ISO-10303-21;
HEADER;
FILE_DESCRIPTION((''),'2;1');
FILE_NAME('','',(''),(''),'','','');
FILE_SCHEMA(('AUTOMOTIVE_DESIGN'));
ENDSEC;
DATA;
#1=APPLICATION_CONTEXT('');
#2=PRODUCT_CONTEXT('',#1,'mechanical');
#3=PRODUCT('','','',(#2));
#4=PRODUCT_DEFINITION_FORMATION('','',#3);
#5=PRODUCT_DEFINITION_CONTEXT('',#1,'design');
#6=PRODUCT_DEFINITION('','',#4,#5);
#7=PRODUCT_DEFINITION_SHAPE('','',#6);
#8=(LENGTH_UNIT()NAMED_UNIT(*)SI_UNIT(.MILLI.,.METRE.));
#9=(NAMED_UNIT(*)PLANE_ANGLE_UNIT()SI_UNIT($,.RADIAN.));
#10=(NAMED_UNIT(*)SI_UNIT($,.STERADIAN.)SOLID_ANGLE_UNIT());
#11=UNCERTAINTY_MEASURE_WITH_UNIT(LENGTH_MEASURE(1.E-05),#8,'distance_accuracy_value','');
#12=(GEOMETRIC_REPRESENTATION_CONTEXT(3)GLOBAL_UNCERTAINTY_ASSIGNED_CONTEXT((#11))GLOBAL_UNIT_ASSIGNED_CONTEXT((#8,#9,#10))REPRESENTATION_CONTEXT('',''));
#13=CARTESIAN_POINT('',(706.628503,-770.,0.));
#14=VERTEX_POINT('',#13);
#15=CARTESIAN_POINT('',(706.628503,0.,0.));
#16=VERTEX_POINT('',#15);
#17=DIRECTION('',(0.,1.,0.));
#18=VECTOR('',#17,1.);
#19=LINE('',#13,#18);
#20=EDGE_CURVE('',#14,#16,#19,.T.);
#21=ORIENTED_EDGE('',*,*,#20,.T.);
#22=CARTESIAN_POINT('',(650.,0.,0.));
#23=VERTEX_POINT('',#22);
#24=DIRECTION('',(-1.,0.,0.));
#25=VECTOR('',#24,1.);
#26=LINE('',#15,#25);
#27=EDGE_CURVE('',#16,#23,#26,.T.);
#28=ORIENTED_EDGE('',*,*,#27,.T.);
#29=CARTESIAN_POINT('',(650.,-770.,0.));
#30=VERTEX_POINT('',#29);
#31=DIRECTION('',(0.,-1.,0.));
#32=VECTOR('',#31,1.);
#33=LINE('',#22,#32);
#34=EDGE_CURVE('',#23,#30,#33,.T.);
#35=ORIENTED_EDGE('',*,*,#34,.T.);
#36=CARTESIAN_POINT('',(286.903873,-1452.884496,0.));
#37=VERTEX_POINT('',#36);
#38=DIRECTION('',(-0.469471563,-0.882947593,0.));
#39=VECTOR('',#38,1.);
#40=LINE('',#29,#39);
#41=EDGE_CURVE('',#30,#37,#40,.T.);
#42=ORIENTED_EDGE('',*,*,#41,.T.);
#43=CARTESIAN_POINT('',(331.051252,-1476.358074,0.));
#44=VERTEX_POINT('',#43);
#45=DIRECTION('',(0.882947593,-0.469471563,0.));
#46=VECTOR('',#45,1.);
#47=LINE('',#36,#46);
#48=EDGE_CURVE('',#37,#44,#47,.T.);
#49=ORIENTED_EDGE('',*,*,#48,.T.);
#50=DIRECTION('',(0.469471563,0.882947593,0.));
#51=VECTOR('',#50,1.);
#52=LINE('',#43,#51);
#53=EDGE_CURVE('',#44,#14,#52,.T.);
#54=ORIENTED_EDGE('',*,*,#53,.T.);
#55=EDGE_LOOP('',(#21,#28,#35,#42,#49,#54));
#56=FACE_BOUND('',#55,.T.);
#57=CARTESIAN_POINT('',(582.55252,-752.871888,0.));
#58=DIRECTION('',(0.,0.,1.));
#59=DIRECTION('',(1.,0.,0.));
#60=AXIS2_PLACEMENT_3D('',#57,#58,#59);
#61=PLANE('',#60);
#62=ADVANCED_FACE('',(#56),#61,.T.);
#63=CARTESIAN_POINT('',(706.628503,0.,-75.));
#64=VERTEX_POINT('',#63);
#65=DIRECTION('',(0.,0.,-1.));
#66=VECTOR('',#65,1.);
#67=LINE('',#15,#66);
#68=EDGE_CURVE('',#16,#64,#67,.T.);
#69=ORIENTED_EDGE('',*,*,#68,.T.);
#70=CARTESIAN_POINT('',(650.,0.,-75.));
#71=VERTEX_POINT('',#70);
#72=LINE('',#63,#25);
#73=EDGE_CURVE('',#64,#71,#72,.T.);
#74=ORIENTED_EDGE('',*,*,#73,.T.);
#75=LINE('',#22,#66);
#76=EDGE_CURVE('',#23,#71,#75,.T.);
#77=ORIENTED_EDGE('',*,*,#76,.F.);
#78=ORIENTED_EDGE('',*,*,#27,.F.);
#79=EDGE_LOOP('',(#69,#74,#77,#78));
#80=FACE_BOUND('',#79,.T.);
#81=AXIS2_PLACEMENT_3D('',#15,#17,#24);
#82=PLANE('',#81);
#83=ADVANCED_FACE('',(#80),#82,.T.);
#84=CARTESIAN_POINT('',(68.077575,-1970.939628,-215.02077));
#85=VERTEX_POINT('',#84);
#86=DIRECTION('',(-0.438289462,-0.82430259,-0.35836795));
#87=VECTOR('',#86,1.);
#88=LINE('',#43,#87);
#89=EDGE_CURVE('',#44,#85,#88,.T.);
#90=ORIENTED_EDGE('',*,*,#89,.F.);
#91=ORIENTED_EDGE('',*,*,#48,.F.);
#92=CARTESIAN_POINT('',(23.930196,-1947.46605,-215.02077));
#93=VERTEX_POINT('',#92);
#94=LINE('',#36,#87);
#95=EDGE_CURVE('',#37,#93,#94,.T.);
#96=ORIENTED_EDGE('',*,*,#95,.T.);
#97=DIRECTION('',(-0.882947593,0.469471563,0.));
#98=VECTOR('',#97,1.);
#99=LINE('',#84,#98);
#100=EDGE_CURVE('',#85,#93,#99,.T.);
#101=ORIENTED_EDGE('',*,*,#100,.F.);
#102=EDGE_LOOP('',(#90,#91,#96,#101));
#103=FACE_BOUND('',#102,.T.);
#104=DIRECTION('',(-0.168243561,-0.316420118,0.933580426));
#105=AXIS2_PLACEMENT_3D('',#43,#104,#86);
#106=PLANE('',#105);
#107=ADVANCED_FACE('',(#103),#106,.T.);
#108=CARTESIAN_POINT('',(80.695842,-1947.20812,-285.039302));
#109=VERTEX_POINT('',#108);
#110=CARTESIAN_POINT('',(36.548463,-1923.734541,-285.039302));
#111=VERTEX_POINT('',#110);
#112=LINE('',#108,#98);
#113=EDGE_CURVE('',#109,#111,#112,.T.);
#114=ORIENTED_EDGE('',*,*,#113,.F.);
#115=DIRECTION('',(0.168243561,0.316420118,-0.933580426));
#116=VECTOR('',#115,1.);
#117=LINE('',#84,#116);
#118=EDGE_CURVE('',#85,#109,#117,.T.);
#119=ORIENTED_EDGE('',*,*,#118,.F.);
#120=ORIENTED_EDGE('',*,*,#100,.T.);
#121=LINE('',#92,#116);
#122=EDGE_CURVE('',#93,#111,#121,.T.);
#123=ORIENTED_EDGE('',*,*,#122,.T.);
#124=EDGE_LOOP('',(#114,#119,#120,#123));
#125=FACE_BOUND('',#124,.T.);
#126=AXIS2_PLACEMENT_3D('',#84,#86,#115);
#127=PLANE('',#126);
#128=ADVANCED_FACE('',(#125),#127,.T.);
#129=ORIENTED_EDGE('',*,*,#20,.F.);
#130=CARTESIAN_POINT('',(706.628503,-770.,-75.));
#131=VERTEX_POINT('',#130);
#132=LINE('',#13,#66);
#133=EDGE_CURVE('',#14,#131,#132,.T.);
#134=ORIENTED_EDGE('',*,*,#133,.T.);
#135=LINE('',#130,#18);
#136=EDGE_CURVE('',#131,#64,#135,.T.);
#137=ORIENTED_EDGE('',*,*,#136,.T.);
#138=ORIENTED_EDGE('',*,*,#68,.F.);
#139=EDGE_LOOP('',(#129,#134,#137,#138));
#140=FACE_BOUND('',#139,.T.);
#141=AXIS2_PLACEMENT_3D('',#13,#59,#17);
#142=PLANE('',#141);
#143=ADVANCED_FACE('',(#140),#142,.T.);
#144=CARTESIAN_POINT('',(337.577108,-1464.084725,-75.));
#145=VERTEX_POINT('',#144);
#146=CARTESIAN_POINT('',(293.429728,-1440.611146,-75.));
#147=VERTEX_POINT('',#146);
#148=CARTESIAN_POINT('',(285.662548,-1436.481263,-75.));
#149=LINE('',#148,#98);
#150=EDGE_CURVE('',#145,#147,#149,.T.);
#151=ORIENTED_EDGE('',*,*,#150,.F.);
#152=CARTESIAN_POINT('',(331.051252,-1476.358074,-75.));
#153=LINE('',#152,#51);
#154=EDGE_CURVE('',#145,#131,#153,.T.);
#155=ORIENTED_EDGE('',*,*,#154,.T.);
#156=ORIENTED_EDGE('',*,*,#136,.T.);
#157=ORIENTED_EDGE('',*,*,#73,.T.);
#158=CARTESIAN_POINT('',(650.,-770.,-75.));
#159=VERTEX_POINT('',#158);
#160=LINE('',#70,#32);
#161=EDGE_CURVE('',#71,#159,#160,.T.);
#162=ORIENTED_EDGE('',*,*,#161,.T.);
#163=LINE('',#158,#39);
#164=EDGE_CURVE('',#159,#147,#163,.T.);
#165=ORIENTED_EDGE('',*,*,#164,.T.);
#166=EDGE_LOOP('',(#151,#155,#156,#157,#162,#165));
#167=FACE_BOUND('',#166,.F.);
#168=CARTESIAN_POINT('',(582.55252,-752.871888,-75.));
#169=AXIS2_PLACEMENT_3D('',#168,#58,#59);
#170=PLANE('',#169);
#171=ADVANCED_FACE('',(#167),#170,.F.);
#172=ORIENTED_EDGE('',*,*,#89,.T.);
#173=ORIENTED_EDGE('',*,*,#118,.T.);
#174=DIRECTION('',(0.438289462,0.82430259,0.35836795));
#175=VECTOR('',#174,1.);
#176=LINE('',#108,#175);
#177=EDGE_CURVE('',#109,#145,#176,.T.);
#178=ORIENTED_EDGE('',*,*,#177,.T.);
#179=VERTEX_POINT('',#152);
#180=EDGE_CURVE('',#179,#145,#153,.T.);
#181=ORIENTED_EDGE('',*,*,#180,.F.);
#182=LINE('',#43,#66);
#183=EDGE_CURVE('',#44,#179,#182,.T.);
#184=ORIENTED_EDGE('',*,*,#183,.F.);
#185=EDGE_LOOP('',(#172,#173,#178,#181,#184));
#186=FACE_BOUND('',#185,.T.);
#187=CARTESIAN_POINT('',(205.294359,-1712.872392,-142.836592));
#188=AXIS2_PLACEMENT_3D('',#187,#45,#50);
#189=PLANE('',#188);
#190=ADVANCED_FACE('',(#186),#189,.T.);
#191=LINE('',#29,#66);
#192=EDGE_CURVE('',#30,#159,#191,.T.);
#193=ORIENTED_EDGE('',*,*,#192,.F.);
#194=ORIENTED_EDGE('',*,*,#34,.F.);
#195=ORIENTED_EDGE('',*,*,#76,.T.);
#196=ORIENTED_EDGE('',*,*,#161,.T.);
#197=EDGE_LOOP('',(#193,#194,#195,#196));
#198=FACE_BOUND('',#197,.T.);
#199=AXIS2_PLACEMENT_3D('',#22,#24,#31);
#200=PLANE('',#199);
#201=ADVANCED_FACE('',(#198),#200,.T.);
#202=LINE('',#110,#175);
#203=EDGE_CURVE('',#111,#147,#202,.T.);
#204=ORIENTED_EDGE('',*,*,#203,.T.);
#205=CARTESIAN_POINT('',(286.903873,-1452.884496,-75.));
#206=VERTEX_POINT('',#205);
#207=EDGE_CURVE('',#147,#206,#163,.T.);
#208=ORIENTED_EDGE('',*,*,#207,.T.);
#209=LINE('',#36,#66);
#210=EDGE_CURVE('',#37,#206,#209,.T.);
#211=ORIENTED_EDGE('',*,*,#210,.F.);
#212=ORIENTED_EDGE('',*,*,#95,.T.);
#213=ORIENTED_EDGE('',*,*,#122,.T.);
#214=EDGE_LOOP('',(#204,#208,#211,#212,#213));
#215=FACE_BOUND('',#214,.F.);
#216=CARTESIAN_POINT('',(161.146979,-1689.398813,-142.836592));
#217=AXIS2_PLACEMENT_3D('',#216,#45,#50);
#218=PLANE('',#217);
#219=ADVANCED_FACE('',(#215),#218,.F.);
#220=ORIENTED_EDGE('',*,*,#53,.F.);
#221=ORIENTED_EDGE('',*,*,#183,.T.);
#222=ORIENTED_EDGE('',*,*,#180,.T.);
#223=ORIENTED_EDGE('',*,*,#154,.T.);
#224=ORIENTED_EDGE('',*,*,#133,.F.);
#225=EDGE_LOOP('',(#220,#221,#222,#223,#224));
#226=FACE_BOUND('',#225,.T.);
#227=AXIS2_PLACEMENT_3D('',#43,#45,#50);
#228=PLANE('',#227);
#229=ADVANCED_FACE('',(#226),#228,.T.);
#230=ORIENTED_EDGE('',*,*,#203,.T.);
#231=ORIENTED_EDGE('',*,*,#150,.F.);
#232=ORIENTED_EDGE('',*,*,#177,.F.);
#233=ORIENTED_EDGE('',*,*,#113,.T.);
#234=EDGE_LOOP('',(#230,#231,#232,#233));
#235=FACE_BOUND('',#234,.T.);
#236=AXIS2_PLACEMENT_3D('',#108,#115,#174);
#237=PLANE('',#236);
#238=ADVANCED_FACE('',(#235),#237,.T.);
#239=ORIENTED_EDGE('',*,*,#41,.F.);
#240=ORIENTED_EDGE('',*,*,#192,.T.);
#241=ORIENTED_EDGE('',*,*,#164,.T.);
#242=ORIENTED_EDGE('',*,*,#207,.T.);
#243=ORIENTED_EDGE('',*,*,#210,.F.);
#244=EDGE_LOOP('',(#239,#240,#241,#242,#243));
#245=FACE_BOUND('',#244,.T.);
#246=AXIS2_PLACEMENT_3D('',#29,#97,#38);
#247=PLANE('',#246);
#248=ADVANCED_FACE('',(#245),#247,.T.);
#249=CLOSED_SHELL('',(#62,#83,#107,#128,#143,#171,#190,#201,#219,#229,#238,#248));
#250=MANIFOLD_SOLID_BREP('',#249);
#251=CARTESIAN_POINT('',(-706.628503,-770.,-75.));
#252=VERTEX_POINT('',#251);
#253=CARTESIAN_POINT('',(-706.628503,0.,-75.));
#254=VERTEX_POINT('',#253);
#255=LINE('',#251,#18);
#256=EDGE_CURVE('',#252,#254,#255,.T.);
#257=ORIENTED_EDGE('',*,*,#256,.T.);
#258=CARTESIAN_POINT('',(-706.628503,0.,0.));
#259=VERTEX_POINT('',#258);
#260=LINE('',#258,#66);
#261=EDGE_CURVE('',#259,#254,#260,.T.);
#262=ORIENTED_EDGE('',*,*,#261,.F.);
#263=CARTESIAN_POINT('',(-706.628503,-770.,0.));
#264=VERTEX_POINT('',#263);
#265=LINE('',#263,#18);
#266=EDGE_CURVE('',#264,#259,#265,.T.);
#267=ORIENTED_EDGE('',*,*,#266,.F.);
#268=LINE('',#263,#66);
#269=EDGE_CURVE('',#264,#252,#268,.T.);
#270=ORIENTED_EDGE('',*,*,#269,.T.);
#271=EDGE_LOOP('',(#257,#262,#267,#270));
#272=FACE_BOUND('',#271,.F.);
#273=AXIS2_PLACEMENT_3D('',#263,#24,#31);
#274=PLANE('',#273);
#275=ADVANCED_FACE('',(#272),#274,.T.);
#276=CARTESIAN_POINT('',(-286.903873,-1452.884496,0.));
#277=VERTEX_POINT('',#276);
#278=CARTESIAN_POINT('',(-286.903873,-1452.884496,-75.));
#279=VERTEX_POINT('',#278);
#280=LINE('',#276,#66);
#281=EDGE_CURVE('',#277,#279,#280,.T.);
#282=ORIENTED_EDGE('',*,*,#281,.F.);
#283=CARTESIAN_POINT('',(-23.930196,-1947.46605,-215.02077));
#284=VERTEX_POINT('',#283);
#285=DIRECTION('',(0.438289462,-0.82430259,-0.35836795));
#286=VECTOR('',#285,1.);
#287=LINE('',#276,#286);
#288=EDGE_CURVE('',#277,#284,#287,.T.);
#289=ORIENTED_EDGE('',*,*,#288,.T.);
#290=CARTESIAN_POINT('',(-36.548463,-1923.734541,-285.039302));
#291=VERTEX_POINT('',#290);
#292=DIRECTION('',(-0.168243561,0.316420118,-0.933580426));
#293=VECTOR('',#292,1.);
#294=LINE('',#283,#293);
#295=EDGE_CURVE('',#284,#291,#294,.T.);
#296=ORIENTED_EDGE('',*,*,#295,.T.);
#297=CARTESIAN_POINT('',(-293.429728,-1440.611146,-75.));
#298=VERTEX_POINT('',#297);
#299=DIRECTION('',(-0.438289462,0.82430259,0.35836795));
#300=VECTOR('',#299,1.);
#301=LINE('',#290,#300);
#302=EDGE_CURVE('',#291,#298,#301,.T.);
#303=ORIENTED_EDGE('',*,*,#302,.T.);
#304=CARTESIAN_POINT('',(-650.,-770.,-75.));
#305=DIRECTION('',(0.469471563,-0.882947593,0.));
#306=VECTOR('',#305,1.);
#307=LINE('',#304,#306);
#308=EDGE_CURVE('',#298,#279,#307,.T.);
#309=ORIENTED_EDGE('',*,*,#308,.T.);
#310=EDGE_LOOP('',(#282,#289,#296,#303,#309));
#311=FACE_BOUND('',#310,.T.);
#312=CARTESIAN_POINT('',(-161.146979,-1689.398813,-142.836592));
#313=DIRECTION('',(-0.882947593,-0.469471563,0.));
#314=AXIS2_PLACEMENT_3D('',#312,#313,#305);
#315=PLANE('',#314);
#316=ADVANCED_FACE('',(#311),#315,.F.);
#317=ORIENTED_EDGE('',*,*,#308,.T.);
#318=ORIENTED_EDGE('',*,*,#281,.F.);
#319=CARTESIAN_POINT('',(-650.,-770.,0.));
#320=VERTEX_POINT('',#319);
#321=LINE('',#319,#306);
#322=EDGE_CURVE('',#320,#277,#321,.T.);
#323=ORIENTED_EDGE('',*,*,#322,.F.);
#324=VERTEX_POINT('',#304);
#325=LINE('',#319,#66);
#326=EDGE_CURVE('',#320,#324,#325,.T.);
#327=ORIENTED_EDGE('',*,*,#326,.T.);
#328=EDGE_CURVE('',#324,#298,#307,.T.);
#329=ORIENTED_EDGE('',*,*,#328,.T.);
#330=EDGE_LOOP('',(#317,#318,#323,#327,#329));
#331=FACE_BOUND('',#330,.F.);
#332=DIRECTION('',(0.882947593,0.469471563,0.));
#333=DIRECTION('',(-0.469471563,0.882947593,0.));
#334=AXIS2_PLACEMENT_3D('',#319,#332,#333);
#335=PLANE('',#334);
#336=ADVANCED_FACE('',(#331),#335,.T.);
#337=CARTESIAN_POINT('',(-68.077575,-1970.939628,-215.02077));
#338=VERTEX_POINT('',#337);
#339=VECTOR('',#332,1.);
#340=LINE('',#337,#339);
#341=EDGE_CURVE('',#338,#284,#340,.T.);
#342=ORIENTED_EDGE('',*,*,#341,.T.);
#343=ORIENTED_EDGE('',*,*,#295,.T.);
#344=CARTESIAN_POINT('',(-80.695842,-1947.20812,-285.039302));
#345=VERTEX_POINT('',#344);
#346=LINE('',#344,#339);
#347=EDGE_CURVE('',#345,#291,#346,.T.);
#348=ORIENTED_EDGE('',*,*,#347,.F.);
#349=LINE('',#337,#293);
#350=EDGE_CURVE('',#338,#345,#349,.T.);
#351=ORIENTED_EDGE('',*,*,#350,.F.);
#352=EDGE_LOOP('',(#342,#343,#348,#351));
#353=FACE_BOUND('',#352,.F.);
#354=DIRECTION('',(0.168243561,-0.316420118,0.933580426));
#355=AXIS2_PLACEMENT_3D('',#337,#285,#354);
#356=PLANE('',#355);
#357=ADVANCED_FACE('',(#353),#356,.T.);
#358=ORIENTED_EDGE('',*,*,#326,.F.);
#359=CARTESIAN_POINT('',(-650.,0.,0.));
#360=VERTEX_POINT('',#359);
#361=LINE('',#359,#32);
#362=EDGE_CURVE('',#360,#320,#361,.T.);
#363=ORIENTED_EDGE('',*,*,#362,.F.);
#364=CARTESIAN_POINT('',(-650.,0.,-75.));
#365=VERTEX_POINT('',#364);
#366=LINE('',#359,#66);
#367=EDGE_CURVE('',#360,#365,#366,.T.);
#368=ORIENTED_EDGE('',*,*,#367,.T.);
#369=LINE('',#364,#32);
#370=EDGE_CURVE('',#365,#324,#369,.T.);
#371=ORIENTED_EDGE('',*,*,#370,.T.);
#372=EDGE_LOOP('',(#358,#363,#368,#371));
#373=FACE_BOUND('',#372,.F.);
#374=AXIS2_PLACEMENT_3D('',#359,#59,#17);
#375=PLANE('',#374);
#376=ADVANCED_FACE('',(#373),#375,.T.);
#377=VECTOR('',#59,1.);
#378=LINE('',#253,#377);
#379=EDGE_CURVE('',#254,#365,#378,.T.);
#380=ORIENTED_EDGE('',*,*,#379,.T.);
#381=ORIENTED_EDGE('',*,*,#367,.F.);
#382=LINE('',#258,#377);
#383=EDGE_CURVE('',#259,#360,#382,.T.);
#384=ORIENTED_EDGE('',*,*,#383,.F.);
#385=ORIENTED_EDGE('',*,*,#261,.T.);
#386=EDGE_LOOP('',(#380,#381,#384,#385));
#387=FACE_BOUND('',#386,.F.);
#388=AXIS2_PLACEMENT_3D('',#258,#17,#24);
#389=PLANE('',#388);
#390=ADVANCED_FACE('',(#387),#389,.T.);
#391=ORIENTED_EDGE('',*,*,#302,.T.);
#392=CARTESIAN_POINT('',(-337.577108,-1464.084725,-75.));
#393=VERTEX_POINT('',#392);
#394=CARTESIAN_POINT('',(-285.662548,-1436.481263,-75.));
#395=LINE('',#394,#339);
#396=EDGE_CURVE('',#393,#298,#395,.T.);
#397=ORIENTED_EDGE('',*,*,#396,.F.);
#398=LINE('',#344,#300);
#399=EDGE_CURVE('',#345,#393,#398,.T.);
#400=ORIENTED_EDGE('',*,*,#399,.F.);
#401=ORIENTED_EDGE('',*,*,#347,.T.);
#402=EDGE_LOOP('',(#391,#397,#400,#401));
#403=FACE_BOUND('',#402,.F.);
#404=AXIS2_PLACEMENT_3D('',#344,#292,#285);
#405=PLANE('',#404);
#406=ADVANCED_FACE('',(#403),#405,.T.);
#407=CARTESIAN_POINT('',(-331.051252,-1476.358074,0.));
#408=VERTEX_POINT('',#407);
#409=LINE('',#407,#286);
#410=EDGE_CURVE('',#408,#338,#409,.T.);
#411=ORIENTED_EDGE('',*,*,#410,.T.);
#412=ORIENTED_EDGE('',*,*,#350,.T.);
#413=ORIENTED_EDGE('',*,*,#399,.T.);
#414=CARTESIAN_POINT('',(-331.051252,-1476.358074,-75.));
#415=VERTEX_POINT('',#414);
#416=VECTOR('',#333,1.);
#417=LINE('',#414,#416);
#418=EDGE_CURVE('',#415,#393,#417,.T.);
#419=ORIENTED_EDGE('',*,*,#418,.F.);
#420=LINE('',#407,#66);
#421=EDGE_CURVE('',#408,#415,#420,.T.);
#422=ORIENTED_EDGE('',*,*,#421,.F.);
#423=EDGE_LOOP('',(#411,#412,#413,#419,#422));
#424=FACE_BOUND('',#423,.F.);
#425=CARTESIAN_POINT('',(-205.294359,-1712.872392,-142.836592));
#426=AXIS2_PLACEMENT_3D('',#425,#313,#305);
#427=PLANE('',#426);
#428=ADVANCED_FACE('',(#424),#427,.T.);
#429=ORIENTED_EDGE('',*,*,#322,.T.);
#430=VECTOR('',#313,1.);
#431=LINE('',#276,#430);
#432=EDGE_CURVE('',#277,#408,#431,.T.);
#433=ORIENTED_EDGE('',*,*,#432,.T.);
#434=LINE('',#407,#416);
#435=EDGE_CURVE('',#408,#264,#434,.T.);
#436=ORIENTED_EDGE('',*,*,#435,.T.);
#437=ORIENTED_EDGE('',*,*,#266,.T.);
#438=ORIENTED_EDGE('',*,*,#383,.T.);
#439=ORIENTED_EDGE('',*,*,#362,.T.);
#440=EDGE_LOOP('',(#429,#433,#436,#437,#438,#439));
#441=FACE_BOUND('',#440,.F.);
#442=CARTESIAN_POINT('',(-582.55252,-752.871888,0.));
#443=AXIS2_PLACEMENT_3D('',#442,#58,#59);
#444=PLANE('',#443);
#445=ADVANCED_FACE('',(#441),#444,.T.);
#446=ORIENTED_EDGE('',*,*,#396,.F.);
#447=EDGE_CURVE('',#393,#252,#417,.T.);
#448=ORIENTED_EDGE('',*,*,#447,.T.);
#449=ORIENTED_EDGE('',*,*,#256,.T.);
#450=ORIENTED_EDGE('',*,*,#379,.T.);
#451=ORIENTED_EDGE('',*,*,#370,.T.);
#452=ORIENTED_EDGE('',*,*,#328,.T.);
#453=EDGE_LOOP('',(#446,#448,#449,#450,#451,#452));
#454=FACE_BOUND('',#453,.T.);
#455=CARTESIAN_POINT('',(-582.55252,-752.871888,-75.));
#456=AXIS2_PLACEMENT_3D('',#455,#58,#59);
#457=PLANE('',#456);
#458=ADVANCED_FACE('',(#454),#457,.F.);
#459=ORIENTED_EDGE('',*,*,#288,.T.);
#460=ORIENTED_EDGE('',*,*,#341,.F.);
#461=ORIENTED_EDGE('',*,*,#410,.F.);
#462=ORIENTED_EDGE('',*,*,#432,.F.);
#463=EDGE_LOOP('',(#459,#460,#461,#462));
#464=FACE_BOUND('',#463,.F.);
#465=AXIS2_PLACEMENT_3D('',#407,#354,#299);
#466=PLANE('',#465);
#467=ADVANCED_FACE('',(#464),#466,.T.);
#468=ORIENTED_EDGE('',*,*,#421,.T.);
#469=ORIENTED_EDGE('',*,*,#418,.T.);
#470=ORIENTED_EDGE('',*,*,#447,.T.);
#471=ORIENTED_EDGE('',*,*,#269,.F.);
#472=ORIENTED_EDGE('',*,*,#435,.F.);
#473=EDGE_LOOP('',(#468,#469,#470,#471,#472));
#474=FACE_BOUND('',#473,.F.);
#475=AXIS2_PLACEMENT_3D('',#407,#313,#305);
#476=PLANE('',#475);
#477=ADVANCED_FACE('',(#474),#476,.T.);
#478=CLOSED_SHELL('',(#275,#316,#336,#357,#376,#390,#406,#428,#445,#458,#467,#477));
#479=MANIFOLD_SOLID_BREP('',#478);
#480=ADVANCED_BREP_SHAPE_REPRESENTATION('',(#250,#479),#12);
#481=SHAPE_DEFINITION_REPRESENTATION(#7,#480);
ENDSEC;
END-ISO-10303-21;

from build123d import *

# Parameters (mm, degrees)
F1_DEPTH = 75
F4_DEPTH = 50


with BuildPart() as f1:
    # F0 (on Top) → F1 (new body)
    with BuildSketch(Plane.XY):
        Polygon((706.6285025345, 0), (650, 0), (650, -770), (286.9038726628, -1452.8844961478), (331.0512523057, -1476.3580742871), (706.6285025345, -770), align=None)
    extrude(amount=-F1_DEPTH)

    # F3 (on offset) → F4 (join)
    with BuildSketch(Plane(origin=(870.0645387046, -462.6215213834, 0), x_dir=(0.4694715628, 0.8829475929, 0), z_dir=(0.8829475929, -0.4694715628, 0))):
        Polygon((-1126.1462356104, -71.8979966034), (-1148.1276591075, 0), (-1708.2759150058, -215.0207697272), (-1681.3983187899, -285.0393017145), align=None)
    extrude(amount=-F4_DEPTH)


with BuildPart() as f6_1:
    # F6: instance of F1
    add(f1.part.mirror(Plane.YZ))


solid = Compound([f1.part, f6_1.part])
